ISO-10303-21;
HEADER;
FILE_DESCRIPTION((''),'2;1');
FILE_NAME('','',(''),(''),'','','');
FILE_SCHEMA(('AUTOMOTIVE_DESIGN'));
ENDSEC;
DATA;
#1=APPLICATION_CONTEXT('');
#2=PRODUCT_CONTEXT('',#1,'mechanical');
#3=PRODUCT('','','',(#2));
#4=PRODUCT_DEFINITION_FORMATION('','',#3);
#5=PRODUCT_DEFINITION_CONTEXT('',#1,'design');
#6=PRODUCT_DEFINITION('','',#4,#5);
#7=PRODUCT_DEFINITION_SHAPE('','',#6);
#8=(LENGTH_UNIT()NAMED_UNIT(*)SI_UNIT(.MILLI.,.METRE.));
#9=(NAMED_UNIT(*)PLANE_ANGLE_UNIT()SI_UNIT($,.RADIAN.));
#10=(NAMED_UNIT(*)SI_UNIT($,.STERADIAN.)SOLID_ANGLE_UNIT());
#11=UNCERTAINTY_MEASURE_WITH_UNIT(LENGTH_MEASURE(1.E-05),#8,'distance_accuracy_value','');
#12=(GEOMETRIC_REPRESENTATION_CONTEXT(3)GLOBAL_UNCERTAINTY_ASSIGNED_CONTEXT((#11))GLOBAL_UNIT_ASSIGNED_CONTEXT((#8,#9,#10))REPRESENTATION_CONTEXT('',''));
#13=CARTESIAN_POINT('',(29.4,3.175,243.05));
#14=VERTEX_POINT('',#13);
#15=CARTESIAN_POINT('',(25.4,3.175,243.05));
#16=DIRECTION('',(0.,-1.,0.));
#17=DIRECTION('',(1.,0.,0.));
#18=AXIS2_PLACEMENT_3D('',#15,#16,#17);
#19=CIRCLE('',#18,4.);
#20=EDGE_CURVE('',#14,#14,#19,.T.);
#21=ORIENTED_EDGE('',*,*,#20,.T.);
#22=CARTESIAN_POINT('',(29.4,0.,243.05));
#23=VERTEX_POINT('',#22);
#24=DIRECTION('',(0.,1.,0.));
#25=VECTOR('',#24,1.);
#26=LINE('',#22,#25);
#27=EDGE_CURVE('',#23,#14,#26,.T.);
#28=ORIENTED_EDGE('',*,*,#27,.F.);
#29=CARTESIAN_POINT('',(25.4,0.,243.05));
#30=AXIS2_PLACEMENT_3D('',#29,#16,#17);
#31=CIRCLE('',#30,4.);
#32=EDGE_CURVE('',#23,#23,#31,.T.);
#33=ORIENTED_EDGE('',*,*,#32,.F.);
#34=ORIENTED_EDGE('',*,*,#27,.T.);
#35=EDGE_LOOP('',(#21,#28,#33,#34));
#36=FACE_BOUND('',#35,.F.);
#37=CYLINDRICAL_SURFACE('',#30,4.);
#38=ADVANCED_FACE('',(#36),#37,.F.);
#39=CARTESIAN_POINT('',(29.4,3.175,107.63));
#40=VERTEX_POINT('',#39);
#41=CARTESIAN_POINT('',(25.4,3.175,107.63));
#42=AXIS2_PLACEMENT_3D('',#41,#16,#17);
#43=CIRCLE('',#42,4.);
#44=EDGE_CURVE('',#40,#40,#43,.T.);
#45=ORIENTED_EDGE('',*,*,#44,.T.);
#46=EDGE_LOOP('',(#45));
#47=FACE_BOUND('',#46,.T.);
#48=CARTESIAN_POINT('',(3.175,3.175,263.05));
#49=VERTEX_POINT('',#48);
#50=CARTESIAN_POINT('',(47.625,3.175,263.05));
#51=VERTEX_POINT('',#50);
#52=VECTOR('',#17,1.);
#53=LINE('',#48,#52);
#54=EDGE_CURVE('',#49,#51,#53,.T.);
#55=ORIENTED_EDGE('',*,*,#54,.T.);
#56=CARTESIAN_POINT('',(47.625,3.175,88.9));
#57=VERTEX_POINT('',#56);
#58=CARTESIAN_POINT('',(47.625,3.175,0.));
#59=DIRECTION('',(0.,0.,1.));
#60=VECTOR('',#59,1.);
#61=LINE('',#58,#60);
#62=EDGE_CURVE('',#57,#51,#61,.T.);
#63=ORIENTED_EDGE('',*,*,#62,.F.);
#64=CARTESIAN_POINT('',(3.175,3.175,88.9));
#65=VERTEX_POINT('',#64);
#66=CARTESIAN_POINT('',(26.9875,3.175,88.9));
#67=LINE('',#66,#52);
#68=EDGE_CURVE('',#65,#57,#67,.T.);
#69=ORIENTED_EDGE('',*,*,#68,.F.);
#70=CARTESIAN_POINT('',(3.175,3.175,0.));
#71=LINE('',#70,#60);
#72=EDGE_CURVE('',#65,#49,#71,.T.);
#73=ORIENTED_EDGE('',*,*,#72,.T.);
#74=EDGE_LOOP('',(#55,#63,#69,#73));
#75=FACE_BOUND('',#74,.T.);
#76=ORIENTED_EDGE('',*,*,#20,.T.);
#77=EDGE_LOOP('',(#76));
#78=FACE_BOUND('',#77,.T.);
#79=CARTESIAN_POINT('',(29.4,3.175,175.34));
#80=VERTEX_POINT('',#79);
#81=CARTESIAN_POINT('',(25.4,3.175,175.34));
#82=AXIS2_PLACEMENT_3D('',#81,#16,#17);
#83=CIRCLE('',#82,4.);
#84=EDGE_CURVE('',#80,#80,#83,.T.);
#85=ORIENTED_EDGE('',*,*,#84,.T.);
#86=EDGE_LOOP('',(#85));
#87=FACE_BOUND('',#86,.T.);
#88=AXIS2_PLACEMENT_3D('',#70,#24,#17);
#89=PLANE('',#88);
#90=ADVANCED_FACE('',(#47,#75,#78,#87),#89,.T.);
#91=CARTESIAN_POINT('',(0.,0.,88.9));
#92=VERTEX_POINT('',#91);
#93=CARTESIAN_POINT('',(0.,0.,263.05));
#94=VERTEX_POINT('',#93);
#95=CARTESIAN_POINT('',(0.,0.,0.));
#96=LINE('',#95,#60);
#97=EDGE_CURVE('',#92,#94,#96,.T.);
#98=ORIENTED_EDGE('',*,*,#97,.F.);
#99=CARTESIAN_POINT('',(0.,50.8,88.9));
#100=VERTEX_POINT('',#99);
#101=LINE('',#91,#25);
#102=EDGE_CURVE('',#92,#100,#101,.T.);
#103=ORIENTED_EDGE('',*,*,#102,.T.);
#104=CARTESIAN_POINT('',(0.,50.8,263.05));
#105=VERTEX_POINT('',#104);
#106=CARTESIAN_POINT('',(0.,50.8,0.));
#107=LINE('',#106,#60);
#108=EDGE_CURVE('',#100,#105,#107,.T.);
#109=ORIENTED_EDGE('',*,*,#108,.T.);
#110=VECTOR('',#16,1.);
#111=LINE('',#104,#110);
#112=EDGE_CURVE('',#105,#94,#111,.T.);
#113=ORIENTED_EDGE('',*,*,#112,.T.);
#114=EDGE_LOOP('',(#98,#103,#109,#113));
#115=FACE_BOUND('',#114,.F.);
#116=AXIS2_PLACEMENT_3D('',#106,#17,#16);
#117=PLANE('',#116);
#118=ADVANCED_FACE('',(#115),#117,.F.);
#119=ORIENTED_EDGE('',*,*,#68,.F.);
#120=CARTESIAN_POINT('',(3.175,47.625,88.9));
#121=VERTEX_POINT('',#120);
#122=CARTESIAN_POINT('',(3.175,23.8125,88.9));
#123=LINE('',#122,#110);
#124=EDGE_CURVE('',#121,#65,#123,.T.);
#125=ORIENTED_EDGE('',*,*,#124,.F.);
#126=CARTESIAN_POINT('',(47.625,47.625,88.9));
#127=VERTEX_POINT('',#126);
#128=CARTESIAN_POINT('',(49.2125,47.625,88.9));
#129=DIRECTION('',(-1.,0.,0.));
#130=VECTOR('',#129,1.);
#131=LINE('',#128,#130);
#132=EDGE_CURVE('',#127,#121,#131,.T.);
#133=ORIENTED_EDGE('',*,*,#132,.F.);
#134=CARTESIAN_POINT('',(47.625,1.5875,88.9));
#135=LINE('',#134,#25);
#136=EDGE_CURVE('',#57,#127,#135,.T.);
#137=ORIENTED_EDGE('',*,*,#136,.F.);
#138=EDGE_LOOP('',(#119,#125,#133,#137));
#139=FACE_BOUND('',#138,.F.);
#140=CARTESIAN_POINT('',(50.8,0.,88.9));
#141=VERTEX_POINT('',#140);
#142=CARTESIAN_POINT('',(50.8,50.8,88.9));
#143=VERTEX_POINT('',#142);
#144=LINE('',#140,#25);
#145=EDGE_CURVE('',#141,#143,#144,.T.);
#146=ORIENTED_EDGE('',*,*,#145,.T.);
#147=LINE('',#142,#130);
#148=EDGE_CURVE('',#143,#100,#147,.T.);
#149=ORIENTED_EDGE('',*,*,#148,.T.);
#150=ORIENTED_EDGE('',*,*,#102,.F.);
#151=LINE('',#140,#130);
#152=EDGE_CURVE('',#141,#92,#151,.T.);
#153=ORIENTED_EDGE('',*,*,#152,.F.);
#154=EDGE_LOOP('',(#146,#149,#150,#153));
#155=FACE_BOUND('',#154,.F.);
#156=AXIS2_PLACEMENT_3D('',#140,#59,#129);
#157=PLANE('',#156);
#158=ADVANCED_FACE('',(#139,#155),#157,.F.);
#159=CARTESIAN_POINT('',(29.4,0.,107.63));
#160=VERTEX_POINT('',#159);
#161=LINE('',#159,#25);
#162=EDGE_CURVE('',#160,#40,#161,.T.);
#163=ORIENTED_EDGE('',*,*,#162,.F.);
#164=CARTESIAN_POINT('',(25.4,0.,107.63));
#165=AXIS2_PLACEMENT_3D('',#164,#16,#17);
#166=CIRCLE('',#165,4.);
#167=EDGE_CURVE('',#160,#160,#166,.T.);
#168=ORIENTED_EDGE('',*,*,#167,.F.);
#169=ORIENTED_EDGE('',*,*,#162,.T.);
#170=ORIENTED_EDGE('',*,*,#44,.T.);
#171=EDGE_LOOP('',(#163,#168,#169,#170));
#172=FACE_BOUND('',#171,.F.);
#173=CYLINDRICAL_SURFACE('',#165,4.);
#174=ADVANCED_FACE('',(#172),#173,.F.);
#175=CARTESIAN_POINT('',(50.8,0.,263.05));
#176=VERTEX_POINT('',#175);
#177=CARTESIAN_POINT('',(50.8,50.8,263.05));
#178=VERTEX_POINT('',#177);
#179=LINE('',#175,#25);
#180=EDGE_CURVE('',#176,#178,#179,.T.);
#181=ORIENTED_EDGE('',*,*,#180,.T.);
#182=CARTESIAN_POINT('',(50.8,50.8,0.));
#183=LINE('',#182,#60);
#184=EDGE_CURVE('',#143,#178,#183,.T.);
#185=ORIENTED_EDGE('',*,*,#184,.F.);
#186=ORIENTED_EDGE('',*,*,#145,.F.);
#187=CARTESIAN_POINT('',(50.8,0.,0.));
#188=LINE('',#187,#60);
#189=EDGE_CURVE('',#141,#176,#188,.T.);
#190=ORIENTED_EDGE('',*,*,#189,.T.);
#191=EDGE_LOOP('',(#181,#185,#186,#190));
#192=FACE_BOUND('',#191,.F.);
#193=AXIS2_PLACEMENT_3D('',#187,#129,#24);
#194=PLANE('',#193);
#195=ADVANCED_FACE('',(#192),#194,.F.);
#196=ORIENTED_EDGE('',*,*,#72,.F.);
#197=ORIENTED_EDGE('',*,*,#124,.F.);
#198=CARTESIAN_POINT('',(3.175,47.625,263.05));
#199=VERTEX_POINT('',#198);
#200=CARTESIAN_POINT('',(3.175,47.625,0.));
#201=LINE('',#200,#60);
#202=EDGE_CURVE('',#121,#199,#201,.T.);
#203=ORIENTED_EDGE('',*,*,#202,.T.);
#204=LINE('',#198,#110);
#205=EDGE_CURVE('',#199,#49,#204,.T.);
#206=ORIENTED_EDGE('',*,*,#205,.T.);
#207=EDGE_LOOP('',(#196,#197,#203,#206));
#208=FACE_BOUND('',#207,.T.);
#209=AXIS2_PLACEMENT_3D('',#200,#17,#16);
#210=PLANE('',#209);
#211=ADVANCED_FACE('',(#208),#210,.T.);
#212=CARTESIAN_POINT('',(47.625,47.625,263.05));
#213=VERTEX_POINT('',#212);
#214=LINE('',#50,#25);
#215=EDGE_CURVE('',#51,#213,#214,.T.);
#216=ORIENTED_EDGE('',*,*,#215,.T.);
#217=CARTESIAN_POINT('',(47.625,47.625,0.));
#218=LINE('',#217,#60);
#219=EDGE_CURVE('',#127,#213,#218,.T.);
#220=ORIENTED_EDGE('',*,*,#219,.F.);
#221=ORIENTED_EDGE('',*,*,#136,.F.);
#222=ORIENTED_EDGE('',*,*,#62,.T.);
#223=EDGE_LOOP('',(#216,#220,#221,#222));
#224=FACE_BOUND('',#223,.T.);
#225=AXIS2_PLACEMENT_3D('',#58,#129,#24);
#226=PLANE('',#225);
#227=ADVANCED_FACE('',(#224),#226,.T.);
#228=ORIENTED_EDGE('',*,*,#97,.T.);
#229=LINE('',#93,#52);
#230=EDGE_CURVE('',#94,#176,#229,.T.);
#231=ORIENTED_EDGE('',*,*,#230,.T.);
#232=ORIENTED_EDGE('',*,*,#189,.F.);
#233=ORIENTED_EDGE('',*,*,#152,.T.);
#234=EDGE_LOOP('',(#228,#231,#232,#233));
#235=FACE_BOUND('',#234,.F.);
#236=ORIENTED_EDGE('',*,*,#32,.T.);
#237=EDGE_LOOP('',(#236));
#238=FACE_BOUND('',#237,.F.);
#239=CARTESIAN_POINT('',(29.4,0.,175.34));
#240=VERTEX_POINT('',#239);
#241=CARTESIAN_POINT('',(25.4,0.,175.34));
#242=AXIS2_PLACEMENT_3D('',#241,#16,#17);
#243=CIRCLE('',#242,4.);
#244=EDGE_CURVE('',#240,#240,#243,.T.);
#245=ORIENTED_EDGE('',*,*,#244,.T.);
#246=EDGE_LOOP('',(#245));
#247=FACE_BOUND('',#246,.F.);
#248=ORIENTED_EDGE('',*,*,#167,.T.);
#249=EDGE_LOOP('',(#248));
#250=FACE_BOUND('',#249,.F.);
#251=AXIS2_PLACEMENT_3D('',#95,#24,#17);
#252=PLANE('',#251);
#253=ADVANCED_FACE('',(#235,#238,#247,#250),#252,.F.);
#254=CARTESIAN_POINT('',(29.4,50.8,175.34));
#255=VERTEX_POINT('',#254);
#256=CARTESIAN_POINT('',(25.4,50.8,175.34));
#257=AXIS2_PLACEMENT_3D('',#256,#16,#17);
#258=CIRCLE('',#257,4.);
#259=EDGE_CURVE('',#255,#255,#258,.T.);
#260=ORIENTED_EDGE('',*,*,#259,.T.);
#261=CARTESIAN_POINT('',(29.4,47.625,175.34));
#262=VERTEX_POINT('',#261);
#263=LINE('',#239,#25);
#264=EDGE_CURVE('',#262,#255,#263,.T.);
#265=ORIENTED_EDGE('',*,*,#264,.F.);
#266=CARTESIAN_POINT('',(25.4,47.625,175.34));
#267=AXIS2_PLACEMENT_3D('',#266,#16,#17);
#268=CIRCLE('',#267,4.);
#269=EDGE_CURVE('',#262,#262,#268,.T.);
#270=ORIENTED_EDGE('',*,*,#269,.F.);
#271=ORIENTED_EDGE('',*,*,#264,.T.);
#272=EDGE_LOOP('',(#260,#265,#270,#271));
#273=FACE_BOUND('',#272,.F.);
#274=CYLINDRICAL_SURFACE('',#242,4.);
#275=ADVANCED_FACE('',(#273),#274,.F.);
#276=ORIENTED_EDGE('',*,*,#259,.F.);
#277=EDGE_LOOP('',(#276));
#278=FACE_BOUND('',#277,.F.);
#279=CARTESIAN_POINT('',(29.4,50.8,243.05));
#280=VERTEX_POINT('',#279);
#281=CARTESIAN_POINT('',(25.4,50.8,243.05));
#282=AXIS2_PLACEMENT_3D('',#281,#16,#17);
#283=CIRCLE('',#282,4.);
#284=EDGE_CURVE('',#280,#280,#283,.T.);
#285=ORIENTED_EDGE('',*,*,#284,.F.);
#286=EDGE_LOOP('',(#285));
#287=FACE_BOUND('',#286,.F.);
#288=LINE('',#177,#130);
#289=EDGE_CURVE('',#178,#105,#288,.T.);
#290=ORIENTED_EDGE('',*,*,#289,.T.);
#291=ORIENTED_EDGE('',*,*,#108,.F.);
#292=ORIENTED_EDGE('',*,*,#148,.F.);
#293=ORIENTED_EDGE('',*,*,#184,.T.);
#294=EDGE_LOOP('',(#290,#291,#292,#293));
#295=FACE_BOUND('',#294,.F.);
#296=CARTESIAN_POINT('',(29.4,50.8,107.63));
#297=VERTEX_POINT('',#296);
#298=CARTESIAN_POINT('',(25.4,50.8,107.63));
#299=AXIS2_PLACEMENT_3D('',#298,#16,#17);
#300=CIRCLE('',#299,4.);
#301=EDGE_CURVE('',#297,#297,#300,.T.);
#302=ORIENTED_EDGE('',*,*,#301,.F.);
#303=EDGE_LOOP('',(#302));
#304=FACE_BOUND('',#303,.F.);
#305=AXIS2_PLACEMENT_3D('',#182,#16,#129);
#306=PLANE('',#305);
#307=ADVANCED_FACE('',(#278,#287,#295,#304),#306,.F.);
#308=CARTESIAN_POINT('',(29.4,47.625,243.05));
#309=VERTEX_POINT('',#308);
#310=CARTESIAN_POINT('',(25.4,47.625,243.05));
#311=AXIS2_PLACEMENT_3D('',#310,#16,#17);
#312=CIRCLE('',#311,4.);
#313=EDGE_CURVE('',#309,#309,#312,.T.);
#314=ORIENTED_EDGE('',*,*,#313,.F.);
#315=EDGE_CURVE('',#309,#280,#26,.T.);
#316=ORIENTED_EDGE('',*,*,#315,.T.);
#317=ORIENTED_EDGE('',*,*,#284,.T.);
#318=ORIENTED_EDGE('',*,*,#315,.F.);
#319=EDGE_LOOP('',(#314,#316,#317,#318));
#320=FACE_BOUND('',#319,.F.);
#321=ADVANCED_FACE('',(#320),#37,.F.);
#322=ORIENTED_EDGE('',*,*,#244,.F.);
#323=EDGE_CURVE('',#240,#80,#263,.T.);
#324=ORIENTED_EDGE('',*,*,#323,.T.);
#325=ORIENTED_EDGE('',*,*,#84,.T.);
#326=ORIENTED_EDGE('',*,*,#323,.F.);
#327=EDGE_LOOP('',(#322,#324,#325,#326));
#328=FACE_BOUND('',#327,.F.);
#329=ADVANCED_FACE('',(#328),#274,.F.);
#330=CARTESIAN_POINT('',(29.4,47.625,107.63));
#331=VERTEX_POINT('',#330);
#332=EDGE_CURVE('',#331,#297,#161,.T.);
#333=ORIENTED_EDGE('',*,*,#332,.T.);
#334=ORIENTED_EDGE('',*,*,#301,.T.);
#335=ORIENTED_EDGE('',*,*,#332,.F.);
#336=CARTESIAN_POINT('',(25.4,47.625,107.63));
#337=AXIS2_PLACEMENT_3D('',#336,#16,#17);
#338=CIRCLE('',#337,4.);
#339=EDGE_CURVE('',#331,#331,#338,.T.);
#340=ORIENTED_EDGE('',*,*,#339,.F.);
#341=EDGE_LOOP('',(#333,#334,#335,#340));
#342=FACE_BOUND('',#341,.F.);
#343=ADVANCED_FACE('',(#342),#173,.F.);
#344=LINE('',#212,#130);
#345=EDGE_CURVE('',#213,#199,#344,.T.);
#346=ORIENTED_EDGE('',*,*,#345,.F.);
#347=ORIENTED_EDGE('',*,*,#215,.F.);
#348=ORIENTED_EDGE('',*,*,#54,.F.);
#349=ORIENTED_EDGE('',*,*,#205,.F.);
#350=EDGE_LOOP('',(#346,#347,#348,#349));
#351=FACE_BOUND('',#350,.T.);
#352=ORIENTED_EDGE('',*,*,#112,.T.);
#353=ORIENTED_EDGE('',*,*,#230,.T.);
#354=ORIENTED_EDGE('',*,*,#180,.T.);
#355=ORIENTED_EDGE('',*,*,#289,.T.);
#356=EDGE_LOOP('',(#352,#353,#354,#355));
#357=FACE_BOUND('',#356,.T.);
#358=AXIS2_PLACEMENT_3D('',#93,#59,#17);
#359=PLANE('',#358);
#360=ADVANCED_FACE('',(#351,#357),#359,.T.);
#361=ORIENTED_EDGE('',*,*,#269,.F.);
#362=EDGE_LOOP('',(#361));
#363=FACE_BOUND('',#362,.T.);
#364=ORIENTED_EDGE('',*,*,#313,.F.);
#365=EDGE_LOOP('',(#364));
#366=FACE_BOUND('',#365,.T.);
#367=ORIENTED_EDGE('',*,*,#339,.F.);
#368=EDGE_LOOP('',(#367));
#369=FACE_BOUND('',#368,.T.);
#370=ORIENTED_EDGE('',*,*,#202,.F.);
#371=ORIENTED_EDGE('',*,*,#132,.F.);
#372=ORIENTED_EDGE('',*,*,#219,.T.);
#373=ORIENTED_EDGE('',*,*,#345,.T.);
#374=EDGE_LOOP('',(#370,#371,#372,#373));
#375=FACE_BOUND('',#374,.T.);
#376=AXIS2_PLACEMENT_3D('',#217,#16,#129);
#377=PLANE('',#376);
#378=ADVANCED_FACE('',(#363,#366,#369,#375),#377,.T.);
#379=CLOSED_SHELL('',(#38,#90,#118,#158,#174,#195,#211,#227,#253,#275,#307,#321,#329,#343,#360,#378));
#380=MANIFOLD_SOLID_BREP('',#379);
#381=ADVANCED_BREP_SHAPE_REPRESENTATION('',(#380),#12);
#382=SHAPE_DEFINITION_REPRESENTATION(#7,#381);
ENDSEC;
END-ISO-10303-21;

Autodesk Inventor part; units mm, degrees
ref_plane "YZ Plane" through (0, 0, 0) normal (1, 0, 0) x (0, 1, 0)
ref_plane "XZ Plane" through (0, 0, 0) normal (0, 1, 0) x (-1, 0, 0)
ref_plane "XY Plane" through (0, 0, 0) normal (0, 0, 1) x (1, 0, 0)
sketch "Sketch1" plane through (0, 0, 0) normal (0, 0, 1) x (1, 0, 0)
  line L0 (0, 0) -> (50.8, 0)
  line L1 (50.8, 0) -> (50.8, 50.8)
  line L2 (50.8, 50.8) -> (0, 50.8)
  line L3 (0, 50.8) -> (0, 0)
  line L4 (3.175, 3.175) -> (47.625, 3.175)
  line L5 (47.625, 3.175) -> (47.625, 47.625)
  line L6 (47.625, 47.625) -> (3.175, 47.625)
  line L7 (3.175, 47.625) -> (3.175, 3.175)
  dimension "d0" = 50.8
  dimension "d1" = 50.8
  dimension "d2" = 3.175
extrude "Extrusion1" add sketch "Sketch1" along normal blind 263.05
sketch "Sketch2" plane through (0, 0, 0) normal (0, -1, 0) x (1, 0, 0)
  circle A0 centre (25.4, 107.63) radius 4
  line L0 (0, 0) -> (50.8, 0) projected
  circle A1 centre (25.4, 175.34) radius 4
  circle A2 centre (25.4, 243.05) radius 4
  point P0 (25.4, 0)
  dimension "d5" = 8
  dimension "d6" = 107.63
  dimension "d7" = 8
  dimension "d8" = 8
  dimension "d9" = 67.71
  dimension "d10" = 67.71
extrude "Extrusion2" cut sketch "Sketch2" against normal through all
sketch "Sketch3" plane through (0, 0, 0) normal (0, -1, 0) x (1, 0, 0)
  line L0 (50.8, 0) -> (50.8, 263.05) projected
  line L1 (0, 0) -> (50.8, 0)
  line L2 (50.8, 0) -> (50.8, 88.9)
  line L3 (50.8, 88.9) -> (0, 88.9)
  line L4 (0, 88.9) -> (0, 0)
  dimension "d13" = 88.9
extrude "Extrusion3" cut sketch "Sketch3" against normal through all
properties part number "ST01" material "Aluminum 6061"
